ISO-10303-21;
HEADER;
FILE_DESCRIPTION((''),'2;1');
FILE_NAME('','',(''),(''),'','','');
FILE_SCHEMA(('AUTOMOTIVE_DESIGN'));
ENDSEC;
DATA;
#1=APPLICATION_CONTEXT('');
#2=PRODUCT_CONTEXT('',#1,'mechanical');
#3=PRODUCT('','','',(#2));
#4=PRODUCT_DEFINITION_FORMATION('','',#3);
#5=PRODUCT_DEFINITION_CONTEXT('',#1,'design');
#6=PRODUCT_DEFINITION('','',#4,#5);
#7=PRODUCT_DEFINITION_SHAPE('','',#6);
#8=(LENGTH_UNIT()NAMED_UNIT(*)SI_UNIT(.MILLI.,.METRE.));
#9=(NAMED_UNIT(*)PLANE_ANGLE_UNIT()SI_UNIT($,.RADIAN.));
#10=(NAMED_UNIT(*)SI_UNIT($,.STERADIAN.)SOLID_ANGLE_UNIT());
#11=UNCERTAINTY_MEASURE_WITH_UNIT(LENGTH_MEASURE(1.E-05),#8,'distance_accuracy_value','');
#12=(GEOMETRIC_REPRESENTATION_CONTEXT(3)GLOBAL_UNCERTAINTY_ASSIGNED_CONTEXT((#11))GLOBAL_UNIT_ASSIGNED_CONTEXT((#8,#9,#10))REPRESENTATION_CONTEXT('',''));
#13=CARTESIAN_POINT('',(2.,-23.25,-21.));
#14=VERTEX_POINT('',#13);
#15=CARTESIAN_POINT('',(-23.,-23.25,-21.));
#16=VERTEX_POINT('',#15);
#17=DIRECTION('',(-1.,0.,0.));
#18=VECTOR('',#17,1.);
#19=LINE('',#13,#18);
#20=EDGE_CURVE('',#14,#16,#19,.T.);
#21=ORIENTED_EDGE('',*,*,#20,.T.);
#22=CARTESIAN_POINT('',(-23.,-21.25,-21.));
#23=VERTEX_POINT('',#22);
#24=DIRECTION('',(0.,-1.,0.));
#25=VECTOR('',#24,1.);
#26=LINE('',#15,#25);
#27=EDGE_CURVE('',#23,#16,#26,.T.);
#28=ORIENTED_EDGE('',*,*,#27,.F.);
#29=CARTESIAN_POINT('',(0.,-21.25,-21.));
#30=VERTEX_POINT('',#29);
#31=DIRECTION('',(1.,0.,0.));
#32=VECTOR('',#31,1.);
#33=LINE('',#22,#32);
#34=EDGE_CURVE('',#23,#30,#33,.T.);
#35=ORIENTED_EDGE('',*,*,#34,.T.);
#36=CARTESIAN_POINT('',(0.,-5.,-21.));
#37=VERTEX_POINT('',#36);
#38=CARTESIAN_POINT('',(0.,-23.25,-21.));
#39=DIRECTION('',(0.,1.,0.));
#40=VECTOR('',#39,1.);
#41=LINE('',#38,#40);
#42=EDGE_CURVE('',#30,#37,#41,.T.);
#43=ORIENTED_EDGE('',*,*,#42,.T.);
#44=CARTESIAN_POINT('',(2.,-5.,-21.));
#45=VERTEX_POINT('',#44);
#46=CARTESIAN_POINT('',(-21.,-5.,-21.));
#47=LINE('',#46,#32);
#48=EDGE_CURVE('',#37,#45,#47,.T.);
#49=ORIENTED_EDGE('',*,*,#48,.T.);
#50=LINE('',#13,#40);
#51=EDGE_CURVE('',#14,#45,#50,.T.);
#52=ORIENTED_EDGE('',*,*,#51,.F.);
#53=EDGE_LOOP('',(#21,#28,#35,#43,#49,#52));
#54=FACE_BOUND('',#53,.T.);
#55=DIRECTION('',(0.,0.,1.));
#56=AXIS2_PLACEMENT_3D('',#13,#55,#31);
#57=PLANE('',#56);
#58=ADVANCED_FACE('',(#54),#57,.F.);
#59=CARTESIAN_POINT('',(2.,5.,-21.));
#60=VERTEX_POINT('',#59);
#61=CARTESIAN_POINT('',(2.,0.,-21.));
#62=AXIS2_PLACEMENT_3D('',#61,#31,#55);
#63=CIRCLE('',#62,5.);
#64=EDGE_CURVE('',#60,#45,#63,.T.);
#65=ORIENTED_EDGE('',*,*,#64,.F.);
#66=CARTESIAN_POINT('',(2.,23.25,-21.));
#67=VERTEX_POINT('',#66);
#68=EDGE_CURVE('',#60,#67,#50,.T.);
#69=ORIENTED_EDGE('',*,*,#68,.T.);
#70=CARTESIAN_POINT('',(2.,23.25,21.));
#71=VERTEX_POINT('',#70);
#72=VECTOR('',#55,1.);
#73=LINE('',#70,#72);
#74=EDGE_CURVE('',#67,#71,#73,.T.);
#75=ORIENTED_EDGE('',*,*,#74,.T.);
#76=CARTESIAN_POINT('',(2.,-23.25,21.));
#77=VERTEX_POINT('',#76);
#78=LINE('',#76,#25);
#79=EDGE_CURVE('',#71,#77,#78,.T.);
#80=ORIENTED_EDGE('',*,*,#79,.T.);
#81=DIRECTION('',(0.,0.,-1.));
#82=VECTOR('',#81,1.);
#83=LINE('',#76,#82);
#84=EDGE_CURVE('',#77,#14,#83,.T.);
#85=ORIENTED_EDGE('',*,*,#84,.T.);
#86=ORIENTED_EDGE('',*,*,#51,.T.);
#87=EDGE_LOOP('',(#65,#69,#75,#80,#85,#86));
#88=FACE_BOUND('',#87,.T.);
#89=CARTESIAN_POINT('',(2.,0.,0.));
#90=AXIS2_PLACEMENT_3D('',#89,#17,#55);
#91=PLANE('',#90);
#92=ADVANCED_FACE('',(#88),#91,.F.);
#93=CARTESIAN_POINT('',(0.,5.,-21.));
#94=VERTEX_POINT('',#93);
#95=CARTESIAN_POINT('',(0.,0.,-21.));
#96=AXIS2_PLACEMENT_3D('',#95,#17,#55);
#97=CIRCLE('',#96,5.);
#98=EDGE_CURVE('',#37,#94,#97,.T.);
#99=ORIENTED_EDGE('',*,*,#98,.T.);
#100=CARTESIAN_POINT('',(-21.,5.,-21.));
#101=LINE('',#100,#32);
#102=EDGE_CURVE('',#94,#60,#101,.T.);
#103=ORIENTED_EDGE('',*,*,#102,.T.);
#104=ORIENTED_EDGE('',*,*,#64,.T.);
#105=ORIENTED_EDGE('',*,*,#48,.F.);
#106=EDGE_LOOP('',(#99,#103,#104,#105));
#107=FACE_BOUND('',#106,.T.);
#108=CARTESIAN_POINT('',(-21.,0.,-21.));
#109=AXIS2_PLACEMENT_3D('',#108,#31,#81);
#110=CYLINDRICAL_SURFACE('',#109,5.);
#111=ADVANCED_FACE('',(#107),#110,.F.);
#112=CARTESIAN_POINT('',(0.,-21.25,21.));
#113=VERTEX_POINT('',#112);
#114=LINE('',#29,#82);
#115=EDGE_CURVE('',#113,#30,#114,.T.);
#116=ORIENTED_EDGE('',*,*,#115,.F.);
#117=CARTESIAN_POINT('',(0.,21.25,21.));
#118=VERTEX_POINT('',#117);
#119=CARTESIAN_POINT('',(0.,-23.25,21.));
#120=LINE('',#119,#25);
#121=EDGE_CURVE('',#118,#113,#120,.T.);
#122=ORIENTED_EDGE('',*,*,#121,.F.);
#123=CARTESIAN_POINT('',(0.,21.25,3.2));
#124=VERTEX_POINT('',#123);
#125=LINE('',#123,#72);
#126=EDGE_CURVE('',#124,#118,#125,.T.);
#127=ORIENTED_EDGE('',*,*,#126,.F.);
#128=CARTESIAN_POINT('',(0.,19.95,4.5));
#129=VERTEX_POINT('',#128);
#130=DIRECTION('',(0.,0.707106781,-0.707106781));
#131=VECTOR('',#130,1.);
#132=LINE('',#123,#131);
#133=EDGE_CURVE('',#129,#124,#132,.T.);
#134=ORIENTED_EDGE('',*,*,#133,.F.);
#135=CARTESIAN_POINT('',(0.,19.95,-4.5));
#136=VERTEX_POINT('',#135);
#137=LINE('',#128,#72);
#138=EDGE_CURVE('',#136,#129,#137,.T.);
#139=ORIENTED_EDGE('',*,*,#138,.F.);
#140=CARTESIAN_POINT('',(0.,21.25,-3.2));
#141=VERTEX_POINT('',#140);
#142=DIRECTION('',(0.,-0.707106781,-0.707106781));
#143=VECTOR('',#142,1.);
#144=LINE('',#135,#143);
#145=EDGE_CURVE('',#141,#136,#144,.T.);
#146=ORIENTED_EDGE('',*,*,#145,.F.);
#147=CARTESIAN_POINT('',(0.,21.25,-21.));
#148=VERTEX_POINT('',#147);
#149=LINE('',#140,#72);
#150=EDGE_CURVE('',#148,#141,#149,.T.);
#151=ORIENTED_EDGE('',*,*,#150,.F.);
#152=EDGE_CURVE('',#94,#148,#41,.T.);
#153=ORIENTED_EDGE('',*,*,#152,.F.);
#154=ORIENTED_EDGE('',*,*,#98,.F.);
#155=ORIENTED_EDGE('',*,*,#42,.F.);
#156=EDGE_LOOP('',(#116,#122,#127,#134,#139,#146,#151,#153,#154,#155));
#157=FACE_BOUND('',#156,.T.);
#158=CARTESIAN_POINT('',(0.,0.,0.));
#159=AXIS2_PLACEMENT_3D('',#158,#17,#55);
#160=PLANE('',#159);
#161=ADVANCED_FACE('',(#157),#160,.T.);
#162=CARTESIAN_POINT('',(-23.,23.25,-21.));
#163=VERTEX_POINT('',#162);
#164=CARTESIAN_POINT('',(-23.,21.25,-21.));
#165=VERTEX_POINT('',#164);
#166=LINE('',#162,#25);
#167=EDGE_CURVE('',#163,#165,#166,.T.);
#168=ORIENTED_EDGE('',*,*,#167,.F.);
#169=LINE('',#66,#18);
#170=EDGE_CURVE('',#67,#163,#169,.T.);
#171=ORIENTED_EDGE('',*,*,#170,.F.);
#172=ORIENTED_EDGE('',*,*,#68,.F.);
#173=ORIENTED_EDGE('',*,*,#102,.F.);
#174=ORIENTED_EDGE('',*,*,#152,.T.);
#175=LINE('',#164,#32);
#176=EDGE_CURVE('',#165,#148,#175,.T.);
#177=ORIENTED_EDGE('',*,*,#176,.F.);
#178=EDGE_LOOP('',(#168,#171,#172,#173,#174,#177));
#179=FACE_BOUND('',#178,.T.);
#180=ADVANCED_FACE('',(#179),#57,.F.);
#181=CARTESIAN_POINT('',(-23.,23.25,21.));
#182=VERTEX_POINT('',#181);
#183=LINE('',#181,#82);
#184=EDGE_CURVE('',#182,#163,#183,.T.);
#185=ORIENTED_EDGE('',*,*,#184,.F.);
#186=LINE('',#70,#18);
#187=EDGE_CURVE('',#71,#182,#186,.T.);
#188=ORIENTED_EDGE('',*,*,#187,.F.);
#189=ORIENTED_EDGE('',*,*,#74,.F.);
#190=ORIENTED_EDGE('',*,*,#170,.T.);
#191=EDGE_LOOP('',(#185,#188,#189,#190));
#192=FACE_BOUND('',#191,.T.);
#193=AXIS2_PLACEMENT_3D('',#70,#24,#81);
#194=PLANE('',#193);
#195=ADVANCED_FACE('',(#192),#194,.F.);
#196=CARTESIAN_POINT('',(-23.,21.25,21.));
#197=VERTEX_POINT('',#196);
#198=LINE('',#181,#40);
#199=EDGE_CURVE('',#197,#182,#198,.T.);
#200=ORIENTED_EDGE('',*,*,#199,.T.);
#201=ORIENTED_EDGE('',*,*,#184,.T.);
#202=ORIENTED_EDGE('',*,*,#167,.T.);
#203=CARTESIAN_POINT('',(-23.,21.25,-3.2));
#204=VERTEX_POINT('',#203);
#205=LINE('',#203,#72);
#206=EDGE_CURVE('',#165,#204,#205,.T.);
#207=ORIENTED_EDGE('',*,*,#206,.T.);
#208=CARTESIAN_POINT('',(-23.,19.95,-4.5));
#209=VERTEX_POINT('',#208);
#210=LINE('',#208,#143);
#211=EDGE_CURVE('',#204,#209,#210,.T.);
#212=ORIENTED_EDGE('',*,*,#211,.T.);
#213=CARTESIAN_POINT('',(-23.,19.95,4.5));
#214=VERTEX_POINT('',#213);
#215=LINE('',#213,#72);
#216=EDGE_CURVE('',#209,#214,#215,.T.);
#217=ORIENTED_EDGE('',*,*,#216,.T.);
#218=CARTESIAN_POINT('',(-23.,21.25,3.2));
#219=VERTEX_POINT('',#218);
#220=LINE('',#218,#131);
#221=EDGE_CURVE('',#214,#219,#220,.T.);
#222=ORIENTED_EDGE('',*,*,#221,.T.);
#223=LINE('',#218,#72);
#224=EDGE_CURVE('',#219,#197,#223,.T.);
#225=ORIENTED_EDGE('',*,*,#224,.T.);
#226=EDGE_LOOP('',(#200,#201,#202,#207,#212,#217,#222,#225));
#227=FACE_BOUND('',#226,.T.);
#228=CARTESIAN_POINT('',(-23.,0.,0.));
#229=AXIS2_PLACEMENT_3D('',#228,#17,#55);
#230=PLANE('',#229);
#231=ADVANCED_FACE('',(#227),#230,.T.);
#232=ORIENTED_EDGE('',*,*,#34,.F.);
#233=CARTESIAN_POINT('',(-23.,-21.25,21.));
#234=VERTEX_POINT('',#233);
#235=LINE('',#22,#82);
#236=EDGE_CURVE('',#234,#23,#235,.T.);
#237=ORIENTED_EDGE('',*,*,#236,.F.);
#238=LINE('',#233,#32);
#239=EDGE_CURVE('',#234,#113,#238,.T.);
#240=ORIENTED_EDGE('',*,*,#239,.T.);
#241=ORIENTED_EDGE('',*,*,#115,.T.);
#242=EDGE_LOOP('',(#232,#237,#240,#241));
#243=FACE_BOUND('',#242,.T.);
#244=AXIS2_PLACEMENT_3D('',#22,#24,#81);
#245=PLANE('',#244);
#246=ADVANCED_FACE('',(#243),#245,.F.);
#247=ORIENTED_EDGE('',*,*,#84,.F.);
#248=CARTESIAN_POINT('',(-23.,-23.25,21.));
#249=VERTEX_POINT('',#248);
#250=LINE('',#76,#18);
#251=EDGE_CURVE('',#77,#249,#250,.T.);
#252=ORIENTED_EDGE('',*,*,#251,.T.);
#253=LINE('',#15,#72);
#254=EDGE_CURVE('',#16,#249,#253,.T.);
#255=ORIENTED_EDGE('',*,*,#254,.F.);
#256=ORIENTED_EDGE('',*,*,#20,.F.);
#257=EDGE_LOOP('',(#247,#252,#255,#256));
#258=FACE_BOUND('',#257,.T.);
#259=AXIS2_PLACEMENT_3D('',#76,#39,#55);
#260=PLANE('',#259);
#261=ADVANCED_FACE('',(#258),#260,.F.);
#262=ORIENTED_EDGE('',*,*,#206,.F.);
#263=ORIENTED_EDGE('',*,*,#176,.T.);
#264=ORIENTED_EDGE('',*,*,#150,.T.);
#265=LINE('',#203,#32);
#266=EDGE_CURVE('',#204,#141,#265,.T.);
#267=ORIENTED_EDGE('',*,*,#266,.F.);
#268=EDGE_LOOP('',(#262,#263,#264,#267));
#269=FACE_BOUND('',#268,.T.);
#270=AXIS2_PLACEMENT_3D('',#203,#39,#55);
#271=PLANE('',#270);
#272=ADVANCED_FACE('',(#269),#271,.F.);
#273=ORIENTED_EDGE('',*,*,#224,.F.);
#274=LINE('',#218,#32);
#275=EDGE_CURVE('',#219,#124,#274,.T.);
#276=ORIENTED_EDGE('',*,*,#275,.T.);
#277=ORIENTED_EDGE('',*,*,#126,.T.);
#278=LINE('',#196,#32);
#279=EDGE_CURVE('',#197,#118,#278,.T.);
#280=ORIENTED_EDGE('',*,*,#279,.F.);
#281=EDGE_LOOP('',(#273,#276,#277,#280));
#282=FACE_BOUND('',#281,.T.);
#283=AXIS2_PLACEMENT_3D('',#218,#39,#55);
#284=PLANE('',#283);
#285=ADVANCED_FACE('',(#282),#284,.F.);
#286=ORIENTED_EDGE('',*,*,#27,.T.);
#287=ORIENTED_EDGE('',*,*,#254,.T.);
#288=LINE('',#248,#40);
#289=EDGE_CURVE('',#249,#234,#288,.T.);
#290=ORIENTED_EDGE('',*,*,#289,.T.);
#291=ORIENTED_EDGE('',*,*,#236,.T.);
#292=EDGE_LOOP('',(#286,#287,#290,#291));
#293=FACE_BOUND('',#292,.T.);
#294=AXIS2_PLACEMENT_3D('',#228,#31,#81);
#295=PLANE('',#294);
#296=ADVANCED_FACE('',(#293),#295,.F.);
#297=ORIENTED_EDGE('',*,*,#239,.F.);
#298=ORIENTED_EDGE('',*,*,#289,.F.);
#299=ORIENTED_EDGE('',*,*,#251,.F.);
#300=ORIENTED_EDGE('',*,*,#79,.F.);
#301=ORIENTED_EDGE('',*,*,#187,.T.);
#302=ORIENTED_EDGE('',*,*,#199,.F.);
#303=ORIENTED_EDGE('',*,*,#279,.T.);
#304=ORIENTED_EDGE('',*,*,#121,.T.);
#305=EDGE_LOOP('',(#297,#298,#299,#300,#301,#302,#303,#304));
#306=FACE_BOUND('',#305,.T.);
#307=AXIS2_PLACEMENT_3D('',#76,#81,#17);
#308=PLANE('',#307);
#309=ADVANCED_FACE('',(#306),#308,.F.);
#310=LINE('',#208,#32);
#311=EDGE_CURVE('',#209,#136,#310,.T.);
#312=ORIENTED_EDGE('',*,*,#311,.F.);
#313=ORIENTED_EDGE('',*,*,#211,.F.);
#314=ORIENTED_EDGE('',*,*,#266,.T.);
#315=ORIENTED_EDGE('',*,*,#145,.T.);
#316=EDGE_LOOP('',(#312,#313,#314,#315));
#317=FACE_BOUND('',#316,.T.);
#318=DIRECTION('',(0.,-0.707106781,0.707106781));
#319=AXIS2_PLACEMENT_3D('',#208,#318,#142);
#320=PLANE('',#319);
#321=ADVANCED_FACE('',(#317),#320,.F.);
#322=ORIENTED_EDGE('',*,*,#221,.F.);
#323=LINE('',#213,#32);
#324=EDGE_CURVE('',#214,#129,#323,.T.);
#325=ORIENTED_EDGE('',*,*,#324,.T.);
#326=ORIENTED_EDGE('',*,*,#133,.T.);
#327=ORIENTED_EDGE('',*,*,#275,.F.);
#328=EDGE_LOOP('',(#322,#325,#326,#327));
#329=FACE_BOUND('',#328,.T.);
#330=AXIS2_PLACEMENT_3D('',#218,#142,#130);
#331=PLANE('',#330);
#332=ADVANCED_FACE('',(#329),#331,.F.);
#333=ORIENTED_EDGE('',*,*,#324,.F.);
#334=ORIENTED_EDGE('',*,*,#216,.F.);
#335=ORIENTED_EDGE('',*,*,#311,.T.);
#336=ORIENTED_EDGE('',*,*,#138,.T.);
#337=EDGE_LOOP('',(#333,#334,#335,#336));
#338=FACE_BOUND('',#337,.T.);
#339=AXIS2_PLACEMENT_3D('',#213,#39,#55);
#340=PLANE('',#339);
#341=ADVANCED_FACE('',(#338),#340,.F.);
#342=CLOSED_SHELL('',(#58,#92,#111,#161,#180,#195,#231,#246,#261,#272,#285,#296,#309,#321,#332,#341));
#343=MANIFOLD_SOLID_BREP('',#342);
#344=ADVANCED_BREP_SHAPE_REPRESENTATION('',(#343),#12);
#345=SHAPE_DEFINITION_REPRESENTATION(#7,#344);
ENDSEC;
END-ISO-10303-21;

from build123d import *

# Parameters (mm, degrees)
SKETCH1_W           = 42
SKETCH1_H           = 46.5
BOSS_EXTRUDE1_DEPTH = 2
SKETCH2_W           = 42
SKETCH2_H           = 2
BOSS_EXTRUDE2_DEPTH = 23
CUT_EXTRUDE1_DEPTH  = 23
BOSS_EXTRUDE3_DEPTH = 23


with BuildPart() as part:
    # Sketch1 → Boss-Extrude1 (new body)
    with BuildSketch(Plane(origin=(0, 0, 0), x_dir=(0, 0, -1), z_dir=(1, 0, 0))):
        Rectangle(SKETCH1_W, SKETCH1_H)
    extrude(amount=BOSS_EXTRUDE1_DEPTH)

    # Sketch2 → Boss-Extrude2 (add)
    with BuildSketch(Plane.ZY):
        with Locations((0, -22.25)):
            Rectangle(SKETCH2_W, SKETCH2_H)
    extrude(amount=BOSS_EXTRUDE2_DEPTH)

    # Sketch3 → Cut-Extrude1 (cut)
    with BuildSketch(Plane(origin=(2, 0, 0), x_dir=(0, 0, -1), z_dir=(1, 0, 0))):
        with BuildLine():
            Line((21, -5), (21, 5))
            ThreePointArc((21, 5), (16, 0), (21, -5))
        make_face()
    extrude(amount=-CUT_EXTRUDE1_DEPTH, mode=Mode.SUBTRACT)

    # Sketch4 → Boss-Extrude3 (add)
    with BuildSketch(Plane.ZY):
        Polygon((21, 23.25), (-21, 23.25), (-21, 21.25), (-3.2, 21.25), (-4.5, 19.95), (4.5, 19.95), (3.2, 21.25), (21, 21.25), align=None)
    extrude(amount=BOSS_EXTRUDE3_DEPTH)


solid = part.part
